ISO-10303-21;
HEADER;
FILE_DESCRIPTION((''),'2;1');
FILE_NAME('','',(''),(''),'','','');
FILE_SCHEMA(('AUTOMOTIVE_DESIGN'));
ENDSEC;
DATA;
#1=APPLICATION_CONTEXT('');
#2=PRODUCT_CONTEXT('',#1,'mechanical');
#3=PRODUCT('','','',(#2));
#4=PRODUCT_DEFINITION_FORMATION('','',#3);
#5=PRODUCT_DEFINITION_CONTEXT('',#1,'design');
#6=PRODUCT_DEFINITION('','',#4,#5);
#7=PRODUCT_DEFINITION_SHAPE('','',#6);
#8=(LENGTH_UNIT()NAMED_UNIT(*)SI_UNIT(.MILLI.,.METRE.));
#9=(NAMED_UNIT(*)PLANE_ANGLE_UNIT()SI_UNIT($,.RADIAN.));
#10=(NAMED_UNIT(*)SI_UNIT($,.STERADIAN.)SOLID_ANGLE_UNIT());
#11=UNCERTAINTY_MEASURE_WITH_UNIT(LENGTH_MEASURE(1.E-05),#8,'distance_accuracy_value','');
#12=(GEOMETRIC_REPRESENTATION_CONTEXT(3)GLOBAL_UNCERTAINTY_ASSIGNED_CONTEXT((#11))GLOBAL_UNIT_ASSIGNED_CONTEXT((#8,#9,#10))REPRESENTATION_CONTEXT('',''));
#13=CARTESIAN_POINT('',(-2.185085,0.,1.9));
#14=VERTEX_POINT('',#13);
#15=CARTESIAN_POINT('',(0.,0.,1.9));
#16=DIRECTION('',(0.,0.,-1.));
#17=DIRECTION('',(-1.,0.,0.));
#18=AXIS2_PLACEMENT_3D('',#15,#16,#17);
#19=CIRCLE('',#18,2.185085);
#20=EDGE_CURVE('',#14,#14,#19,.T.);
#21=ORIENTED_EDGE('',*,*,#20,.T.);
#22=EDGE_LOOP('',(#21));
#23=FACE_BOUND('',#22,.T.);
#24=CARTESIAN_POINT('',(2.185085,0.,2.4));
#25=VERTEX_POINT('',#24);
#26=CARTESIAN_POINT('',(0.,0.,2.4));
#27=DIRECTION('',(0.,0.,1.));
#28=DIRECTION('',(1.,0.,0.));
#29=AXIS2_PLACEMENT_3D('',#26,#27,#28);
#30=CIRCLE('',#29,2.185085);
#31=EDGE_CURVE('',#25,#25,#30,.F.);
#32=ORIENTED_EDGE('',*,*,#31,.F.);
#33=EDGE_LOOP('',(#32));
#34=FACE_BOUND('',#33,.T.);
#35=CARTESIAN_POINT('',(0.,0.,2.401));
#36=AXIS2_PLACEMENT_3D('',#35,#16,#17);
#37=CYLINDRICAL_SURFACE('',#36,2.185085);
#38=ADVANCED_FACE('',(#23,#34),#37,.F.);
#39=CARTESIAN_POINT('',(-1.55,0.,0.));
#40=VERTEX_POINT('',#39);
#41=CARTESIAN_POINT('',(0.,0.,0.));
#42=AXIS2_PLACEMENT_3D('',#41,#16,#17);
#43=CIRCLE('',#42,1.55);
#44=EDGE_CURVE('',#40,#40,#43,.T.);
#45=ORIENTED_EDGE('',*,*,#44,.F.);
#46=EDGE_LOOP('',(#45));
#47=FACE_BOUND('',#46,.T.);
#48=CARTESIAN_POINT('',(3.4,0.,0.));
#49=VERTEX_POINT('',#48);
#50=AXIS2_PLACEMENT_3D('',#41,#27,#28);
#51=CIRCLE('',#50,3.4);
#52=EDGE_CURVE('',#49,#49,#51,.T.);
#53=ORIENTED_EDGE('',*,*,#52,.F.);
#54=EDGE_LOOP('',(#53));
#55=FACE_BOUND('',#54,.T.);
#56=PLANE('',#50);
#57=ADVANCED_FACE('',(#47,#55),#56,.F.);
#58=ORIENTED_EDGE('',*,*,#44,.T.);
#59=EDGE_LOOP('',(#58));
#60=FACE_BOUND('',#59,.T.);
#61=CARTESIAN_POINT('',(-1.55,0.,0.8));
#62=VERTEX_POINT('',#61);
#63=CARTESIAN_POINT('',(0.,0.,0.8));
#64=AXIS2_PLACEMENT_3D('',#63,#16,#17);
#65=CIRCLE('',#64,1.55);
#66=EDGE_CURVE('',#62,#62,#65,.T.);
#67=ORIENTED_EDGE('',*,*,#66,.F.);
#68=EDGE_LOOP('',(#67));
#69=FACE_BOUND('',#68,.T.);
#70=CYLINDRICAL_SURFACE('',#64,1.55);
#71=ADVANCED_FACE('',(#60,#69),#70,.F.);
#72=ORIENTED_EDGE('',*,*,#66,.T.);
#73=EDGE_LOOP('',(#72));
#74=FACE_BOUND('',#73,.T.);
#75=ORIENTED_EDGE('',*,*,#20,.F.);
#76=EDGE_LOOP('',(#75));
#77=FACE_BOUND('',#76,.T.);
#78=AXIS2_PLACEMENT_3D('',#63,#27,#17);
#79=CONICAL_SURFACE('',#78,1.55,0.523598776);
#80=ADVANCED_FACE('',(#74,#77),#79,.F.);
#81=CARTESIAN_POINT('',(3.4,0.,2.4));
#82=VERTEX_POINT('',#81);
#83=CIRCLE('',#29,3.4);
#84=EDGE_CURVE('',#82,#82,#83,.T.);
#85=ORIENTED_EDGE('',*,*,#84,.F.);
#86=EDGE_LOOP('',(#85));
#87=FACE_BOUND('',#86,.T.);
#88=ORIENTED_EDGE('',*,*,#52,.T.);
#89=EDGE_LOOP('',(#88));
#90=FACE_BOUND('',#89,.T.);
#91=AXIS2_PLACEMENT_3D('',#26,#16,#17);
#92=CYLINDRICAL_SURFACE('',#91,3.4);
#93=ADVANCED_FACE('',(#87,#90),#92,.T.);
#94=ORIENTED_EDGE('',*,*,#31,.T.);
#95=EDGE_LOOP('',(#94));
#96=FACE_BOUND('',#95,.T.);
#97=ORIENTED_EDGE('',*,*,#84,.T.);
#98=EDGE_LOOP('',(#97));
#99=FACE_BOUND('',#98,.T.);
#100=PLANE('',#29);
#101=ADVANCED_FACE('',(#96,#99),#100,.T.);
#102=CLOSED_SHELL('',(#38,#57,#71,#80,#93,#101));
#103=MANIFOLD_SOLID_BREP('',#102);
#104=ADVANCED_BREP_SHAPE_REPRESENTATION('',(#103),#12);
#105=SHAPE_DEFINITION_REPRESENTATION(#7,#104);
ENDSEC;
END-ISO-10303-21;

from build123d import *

# Parameters (mm, degrees)
SKETCH1_R           = 3.4
BOSS_EXTRUDE1_DEPTH = 2.4
SKETCH2_R           = 1.55
CUT_EXTRUDE1_DEPTH  = 0.8
SKETCH3_R           = 1.55
CUT_EXTRUDE2_DEPTH  = 1.1
CUT_EXTRUDE2_TAPER  = -30
CUT_EXTRUDE3_REACH  = 2.5
SKETCH4_R           = 2.185085296


with BuildPart() as part:
    # Sketch1 → Boss-Extrude1 (new body)
    with BuildSketch(Plane.XY):
        Circle(SKETCH1_R)
    extrude(amount=BOSS_EXTRUDE1_DEPTH)

    # Sketch2 → Cut-Extrude1 (cut)
    with BuildSketch(Plane(origin=(0, 0, 0), x_dir=(-1, 0, 0), z_dir=(0, 0, -1))):
        Circle(SKETCH2_R)
    extrude(amount=-CUT_EXTRUDE1_DEPTH, mode=Mode.SUBTRACT)

    # Sketch3 → Cut-Extrude2 (cut)
    with BuildSketch(Plane(origin=(0, 0, 0.8), x_dir=(-1, 0, 0), z_dir=(0, 0, -1))):
        Circle(SKETCH3_R)
    extrude(amount=-CUT_EXTRUDE2_DEPTH, taper=CUT_EXTRUDE2_TAPER, mode=Mode.SUBTRACT)

    # Sketch4 → Cut-Extrude3 (cut, up to next)
    with BuildSketch(Plane(origin=(0, 0, 1.9), x_dir=(-1, 0, 0), z_dir=(0, 0, -1)), mode=Mode.PRIVATE) as cut_extrude3_sk1:
        Circle(SKETCH4_R)
    cut_extrude3_tool1 = extrude(cut_extrude3_sk1.sketch, amount=-CUT_EXTRUDE3_REACH, mode=Mode.PRIVATE) & part.part
    add(cut_extrude3_tool1.solids().sort_by_distance((0, 0, 1.9))[0], mode=Mode.SUBTRACT)


solid = part.part
